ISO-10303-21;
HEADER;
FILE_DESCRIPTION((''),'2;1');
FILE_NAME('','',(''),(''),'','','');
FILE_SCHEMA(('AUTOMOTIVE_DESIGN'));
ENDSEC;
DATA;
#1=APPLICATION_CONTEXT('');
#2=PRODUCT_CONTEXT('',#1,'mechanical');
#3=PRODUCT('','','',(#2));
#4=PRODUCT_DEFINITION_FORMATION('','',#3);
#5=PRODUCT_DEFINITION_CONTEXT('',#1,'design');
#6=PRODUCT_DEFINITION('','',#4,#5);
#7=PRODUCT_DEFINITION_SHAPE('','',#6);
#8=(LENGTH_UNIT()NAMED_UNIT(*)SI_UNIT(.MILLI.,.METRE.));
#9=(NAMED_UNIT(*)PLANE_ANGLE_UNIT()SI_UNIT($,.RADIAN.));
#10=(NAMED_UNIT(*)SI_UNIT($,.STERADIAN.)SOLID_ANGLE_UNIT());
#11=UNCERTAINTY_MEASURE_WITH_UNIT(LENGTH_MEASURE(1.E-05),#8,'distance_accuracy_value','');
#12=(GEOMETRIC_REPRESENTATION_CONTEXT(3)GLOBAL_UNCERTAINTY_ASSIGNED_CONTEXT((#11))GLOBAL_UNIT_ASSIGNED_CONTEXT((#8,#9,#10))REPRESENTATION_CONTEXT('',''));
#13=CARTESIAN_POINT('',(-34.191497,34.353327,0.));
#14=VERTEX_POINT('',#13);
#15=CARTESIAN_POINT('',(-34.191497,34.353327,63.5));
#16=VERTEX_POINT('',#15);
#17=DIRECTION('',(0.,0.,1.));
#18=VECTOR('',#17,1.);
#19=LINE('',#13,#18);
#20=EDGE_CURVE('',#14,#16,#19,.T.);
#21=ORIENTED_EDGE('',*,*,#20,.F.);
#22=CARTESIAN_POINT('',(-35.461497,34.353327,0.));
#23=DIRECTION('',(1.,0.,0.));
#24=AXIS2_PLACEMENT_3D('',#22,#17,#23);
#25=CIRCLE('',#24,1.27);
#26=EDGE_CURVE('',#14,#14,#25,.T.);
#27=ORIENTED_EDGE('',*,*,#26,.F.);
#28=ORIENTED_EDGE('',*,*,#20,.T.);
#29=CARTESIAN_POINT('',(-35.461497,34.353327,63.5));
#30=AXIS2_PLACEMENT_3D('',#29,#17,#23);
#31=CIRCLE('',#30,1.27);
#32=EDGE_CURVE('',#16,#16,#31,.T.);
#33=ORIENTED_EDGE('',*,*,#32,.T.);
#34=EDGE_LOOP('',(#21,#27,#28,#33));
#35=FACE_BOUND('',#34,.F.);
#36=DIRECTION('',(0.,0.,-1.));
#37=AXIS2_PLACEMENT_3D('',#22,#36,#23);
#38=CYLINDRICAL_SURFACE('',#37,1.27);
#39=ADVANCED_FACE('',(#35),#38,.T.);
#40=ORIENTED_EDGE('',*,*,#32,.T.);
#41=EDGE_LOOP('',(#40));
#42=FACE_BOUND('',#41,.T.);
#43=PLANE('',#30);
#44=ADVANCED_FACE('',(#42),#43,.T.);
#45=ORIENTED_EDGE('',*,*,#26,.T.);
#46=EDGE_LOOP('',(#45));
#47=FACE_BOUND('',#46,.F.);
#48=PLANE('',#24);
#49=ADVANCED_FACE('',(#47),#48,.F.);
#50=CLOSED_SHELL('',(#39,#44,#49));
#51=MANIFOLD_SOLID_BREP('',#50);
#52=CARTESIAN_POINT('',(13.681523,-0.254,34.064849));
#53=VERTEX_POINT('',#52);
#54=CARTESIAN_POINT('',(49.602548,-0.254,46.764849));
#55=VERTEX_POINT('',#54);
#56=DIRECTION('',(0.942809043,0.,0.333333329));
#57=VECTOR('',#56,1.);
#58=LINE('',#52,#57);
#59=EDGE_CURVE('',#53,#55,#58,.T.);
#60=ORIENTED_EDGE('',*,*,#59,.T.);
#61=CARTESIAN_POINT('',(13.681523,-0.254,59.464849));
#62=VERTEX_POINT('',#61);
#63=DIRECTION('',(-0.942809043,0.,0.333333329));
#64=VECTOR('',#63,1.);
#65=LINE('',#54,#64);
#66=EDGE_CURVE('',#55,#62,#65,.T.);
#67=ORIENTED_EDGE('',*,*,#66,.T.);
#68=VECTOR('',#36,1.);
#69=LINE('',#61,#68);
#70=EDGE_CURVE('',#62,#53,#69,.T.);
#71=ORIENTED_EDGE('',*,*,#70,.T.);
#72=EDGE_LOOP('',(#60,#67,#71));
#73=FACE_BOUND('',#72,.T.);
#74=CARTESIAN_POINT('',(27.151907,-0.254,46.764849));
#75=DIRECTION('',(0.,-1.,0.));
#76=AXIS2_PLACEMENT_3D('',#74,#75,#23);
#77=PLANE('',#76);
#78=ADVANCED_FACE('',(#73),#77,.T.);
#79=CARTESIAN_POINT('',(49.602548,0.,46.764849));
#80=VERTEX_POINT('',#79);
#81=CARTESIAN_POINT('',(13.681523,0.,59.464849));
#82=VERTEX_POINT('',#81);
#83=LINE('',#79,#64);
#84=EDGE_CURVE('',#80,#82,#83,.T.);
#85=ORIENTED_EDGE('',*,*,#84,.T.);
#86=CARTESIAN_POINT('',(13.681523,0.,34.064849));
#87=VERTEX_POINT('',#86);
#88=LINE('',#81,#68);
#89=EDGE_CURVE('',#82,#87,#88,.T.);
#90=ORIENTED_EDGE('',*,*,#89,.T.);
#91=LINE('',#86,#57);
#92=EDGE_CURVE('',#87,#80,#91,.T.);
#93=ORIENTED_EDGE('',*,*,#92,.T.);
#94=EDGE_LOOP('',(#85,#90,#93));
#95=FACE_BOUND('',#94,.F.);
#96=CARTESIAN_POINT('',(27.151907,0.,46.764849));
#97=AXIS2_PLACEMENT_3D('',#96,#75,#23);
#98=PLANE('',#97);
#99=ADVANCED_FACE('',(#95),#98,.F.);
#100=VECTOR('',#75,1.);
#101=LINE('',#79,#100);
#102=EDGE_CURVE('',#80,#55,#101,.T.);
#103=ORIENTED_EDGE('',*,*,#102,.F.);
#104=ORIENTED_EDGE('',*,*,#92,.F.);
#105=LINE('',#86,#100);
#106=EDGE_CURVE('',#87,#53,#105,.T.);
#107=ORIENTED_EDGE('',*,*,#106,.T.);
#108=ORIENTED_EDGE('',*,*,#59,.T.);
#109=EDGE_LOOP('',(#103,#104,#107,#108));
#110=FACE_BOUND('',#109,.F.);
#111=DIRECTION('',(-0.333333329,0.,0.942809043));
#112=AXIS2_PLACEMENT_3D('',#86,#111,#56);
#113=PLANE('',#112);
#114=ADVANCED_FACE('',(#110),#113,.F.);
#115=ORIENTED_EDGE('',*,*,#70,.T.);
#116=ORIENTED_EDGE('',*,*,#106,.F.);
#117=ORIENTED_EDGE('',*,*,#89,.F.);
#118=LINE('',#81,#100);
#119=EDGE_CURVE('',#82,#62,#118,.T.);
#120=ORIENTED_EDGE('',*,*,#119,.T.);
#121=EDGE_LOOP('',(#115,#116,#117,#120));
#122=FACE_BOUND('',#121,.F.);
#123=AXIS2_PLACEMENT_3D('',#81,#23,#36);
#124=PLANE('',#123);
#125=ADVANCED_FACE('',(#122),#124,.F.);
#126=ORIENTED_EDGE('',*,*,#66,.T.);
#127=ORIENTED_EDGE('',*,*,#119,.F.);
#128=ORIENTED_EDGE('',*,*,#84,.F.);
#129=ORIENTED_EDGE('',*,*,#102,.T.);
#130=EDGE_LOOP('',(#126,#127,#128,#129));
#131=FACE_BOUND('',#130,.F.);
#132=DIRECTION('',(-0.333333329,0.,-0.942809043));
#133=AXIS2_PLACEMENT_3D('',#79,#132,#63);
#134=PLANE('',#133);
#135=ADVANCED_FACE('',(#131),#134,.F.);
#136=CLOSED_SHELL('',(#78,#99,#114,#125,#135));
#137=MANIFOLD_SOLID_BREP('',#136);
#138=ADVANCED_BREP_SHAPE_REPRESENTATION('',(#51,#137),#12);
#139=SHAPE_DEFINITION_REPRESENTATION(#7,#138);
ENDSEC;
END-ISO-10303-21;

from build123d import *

# Parameters (mm, degrees)
F0_R     = 1.27
F1_DEPTH = 63.5
F3_DEPTH = 0.254


with BuildPart() as f1:
    # F0 (on Top) → F1 (new body)
    with BuildSketch(Plane.XY):
        with Locations((-35.461497, 34.353327)):
            Circle(F0_R)
    extrude(amount=F1_DEPTH)


with BuildPart() as f3:
    # F2 (on Front) → F3 (new body)
    with BuildSketch(Plane.XZ):
        Polygon((49.602548, 46.764849), (13.681523, 59.464849), (13.681523, 34.064849), align=None)
    extrude(amount=F3_DEPTH)


solid = Compound([f1.part, f3.part])
